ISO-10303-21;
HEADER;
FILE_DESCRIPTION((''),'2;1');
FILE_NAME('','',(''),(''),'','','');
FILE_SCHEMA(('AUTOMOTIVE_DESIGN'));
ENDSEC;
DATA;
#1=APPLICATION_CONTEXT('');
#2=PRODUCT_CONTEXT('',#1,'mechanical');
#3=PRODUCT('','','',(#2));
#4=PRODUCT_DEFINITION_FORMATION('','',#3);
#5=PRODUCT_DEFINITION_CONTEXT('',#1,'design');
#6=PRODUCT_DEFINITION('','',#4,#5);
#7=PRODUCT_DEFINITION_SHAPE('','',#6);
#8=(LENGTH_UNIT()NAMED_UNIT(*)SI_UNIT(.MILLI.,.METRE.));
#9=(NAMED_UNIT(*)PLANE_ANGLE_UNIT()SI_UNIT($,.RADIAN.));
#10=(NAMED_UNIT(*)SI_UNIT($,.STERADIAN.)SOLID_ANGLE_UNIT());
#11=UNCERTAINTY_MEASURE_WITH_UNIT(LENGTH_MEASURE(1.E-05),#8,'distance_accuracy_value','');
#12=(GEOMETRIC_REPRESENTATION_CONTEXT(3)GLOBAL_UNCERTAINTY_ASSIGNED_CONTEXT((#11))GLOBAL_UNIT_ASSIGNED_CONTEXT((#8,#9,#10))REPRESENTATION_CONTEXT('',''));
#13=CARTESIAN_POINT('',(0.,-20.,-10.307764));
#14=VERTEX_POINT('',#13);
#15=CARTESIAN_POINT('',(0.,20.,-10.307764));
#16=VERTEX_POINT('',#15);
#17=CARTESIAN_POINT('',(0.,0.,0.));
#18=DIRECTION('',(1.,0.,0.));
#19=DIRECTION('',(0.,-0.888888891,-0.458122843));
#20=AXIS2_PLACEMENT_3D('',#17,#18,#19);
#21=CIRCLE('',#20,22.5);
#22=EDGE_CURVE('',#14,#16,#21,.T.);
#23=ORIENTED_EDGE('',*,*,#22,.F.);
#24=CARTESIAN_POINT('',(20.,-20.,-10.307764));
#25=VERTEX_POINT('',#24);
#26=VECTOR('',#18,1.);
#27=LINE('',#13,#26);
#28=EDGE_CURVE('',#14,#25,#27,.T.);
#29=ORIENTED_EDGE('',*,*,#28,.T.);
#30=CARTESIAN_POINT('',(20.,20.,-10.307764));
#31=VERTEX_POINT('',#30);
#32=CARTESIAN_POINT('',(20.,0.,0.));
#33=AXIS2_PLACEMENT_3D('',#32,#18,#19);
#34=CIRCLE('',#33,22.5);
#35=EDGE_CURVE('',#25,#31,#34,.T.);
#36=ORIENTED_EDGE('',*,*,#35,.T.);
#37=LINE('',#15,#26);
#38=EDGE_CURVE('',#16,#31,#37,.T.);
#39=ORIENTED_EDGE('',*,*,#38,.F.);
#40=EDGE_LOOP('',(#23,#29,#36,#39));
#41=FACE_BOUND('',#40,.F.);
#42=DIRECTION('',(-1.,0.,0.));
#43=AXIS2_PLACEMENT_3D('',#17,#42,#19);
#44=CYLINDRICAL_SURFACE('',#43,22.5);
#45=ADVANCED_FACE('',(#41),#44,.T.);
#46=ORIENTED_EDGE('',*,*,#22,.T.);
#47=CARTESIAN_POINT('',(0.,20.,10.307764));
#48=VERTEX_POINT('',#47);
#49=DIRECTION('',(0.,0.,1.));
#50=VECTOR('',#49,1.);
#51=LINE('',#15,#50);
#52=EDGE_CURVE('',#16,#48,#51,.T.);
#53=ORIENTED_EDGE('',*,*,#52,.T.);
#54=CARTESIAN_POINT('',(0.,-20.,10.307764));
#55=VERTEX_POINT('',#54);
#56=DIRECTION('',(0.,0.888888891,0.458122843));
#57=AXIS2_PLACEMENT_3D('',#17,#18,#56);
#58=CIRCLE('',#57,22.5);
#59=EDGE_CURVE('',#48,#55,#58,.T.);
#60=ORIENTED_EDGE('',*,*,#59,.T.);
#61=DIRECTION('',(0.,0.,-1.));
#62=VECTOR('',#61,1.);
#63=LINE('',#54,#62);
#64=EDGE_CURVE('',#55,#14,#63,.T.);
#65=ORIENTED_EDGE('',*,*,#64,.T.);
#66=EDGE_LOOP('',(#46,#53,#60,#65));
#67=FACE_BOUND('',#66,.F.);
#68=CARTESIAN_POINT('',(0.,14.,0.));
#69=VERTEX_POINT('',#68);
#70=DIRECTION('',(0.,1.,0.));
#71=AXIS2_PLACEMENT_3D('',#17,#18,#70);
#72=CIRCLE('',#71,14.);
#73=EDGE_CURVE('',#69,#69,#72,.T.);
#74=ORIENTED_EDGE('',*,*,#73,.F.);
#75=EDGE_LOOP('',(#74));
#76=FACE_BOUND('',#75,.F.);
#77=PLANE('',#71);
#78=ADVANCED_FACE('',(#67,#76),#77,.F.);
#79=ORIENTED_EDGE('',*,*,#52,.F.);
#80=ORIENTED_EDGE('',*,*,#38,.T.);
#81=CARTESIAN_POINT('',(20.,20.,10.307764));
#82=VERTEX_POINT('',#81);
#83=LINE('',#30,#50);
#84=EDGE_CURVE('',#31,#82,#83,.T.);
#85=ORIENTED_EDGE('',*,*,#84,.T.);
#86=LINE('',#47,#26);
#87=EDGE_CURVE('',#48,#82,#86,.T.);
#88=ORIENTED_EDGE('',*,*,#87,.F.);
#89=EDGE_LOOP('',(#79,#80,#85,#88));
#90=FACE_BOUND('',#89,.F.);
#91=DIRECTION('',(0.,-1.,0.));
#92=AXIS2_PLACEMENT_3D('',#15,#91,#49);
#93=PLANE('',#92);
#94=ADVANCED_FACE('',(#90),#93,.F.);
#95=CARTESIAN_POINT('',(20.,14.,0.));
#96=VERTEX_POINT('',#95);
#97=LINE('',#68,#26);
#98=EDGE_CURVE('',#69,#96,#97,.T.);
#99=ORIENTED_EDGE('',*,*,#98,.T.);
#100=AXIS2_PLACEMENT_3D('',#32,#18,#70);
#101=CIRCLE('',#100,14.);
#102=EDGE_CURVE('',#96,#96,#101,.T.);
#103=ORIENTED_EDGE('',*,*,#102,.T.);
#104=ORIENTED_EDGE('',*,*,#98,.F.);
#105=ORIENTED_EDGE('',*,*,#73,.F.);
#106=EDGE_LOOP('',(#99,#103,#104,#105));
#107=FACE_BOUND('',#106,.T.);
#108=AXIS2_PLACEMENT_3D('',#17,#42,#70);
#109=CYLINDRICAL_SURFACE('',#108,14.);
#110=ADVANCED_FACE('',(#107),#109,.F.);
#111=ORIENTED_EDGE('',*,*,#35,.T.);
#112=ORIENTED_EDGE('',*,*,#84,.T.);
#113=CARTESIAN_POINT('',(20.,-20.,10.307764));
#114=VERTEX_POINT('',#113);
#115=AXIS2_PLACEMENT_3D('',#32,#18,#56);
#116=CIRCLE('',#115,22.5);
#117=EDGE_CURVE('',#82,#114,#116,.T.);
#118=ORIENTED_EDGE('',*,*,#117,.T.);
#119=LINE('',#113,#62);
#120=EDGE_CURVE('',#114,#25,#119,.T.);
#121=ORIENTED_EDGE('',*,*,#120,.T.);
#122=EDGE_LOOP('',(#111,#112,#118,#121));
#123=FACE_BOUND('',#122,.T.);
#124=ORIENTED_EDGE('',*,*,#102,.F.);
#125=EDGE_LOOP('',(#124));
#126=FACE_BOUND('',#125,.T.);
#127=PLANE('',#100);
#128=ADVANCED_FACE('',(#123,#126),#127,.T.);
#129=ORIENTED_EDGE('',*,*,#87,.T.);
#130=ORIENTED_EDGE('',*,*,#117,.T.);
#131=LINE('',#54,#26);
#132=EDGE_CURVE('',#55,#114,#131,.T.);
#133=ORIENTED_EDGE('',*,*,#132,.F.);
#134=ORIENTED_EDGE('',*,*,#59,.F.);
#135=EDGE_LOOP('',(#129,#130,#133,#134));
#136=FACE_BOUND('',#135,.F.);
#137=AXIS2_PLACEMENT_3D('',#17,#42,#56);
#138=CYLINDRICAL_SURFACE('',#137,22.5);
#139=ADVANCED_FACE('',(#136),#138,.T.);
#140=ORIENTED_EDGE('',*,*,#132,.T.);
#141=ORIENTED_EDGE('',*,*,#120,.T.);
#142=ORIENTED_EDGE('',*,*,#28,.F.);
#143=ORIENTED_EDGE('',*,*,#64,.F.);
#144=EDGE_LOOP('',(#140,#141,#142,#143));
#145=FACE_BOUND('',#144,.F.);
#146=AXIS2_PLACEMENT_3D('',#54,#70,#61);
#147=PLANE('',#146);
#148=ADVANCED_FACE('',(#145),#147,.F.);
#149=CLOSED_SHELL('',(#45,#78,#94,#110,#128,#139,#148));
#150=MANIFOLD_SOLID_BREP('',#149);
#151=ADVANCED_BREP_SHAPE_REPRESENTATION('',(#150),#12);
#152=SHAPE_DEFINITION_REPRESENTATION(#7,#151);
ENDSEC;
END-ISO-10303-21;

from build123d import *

# Parameters (mm, degrees)
F0_R     = 14
F1_DEPTH = 20


with BuildPart() as f1:
    # F0 (on Right) → F1 (new body)
    with BuildSketch(Plane.YZ):
        with BuildLine():
            Line((-20, 10.307764), (-20, -10.307764))
            ThreePointArc((-20, -10.307764), (0, -22.5), (20, -10.307764))
            Line((20, -10.307764), (20, 10.307764))
            ThreePointArc((20, 10.307764), (0, 22.5), (-20, 10.307764))
        make_face()
        Circle(F0_R, mode=Mode.SUBTRACT)
    extrude(amount=F1_DEPTH)


solid = f1.part
